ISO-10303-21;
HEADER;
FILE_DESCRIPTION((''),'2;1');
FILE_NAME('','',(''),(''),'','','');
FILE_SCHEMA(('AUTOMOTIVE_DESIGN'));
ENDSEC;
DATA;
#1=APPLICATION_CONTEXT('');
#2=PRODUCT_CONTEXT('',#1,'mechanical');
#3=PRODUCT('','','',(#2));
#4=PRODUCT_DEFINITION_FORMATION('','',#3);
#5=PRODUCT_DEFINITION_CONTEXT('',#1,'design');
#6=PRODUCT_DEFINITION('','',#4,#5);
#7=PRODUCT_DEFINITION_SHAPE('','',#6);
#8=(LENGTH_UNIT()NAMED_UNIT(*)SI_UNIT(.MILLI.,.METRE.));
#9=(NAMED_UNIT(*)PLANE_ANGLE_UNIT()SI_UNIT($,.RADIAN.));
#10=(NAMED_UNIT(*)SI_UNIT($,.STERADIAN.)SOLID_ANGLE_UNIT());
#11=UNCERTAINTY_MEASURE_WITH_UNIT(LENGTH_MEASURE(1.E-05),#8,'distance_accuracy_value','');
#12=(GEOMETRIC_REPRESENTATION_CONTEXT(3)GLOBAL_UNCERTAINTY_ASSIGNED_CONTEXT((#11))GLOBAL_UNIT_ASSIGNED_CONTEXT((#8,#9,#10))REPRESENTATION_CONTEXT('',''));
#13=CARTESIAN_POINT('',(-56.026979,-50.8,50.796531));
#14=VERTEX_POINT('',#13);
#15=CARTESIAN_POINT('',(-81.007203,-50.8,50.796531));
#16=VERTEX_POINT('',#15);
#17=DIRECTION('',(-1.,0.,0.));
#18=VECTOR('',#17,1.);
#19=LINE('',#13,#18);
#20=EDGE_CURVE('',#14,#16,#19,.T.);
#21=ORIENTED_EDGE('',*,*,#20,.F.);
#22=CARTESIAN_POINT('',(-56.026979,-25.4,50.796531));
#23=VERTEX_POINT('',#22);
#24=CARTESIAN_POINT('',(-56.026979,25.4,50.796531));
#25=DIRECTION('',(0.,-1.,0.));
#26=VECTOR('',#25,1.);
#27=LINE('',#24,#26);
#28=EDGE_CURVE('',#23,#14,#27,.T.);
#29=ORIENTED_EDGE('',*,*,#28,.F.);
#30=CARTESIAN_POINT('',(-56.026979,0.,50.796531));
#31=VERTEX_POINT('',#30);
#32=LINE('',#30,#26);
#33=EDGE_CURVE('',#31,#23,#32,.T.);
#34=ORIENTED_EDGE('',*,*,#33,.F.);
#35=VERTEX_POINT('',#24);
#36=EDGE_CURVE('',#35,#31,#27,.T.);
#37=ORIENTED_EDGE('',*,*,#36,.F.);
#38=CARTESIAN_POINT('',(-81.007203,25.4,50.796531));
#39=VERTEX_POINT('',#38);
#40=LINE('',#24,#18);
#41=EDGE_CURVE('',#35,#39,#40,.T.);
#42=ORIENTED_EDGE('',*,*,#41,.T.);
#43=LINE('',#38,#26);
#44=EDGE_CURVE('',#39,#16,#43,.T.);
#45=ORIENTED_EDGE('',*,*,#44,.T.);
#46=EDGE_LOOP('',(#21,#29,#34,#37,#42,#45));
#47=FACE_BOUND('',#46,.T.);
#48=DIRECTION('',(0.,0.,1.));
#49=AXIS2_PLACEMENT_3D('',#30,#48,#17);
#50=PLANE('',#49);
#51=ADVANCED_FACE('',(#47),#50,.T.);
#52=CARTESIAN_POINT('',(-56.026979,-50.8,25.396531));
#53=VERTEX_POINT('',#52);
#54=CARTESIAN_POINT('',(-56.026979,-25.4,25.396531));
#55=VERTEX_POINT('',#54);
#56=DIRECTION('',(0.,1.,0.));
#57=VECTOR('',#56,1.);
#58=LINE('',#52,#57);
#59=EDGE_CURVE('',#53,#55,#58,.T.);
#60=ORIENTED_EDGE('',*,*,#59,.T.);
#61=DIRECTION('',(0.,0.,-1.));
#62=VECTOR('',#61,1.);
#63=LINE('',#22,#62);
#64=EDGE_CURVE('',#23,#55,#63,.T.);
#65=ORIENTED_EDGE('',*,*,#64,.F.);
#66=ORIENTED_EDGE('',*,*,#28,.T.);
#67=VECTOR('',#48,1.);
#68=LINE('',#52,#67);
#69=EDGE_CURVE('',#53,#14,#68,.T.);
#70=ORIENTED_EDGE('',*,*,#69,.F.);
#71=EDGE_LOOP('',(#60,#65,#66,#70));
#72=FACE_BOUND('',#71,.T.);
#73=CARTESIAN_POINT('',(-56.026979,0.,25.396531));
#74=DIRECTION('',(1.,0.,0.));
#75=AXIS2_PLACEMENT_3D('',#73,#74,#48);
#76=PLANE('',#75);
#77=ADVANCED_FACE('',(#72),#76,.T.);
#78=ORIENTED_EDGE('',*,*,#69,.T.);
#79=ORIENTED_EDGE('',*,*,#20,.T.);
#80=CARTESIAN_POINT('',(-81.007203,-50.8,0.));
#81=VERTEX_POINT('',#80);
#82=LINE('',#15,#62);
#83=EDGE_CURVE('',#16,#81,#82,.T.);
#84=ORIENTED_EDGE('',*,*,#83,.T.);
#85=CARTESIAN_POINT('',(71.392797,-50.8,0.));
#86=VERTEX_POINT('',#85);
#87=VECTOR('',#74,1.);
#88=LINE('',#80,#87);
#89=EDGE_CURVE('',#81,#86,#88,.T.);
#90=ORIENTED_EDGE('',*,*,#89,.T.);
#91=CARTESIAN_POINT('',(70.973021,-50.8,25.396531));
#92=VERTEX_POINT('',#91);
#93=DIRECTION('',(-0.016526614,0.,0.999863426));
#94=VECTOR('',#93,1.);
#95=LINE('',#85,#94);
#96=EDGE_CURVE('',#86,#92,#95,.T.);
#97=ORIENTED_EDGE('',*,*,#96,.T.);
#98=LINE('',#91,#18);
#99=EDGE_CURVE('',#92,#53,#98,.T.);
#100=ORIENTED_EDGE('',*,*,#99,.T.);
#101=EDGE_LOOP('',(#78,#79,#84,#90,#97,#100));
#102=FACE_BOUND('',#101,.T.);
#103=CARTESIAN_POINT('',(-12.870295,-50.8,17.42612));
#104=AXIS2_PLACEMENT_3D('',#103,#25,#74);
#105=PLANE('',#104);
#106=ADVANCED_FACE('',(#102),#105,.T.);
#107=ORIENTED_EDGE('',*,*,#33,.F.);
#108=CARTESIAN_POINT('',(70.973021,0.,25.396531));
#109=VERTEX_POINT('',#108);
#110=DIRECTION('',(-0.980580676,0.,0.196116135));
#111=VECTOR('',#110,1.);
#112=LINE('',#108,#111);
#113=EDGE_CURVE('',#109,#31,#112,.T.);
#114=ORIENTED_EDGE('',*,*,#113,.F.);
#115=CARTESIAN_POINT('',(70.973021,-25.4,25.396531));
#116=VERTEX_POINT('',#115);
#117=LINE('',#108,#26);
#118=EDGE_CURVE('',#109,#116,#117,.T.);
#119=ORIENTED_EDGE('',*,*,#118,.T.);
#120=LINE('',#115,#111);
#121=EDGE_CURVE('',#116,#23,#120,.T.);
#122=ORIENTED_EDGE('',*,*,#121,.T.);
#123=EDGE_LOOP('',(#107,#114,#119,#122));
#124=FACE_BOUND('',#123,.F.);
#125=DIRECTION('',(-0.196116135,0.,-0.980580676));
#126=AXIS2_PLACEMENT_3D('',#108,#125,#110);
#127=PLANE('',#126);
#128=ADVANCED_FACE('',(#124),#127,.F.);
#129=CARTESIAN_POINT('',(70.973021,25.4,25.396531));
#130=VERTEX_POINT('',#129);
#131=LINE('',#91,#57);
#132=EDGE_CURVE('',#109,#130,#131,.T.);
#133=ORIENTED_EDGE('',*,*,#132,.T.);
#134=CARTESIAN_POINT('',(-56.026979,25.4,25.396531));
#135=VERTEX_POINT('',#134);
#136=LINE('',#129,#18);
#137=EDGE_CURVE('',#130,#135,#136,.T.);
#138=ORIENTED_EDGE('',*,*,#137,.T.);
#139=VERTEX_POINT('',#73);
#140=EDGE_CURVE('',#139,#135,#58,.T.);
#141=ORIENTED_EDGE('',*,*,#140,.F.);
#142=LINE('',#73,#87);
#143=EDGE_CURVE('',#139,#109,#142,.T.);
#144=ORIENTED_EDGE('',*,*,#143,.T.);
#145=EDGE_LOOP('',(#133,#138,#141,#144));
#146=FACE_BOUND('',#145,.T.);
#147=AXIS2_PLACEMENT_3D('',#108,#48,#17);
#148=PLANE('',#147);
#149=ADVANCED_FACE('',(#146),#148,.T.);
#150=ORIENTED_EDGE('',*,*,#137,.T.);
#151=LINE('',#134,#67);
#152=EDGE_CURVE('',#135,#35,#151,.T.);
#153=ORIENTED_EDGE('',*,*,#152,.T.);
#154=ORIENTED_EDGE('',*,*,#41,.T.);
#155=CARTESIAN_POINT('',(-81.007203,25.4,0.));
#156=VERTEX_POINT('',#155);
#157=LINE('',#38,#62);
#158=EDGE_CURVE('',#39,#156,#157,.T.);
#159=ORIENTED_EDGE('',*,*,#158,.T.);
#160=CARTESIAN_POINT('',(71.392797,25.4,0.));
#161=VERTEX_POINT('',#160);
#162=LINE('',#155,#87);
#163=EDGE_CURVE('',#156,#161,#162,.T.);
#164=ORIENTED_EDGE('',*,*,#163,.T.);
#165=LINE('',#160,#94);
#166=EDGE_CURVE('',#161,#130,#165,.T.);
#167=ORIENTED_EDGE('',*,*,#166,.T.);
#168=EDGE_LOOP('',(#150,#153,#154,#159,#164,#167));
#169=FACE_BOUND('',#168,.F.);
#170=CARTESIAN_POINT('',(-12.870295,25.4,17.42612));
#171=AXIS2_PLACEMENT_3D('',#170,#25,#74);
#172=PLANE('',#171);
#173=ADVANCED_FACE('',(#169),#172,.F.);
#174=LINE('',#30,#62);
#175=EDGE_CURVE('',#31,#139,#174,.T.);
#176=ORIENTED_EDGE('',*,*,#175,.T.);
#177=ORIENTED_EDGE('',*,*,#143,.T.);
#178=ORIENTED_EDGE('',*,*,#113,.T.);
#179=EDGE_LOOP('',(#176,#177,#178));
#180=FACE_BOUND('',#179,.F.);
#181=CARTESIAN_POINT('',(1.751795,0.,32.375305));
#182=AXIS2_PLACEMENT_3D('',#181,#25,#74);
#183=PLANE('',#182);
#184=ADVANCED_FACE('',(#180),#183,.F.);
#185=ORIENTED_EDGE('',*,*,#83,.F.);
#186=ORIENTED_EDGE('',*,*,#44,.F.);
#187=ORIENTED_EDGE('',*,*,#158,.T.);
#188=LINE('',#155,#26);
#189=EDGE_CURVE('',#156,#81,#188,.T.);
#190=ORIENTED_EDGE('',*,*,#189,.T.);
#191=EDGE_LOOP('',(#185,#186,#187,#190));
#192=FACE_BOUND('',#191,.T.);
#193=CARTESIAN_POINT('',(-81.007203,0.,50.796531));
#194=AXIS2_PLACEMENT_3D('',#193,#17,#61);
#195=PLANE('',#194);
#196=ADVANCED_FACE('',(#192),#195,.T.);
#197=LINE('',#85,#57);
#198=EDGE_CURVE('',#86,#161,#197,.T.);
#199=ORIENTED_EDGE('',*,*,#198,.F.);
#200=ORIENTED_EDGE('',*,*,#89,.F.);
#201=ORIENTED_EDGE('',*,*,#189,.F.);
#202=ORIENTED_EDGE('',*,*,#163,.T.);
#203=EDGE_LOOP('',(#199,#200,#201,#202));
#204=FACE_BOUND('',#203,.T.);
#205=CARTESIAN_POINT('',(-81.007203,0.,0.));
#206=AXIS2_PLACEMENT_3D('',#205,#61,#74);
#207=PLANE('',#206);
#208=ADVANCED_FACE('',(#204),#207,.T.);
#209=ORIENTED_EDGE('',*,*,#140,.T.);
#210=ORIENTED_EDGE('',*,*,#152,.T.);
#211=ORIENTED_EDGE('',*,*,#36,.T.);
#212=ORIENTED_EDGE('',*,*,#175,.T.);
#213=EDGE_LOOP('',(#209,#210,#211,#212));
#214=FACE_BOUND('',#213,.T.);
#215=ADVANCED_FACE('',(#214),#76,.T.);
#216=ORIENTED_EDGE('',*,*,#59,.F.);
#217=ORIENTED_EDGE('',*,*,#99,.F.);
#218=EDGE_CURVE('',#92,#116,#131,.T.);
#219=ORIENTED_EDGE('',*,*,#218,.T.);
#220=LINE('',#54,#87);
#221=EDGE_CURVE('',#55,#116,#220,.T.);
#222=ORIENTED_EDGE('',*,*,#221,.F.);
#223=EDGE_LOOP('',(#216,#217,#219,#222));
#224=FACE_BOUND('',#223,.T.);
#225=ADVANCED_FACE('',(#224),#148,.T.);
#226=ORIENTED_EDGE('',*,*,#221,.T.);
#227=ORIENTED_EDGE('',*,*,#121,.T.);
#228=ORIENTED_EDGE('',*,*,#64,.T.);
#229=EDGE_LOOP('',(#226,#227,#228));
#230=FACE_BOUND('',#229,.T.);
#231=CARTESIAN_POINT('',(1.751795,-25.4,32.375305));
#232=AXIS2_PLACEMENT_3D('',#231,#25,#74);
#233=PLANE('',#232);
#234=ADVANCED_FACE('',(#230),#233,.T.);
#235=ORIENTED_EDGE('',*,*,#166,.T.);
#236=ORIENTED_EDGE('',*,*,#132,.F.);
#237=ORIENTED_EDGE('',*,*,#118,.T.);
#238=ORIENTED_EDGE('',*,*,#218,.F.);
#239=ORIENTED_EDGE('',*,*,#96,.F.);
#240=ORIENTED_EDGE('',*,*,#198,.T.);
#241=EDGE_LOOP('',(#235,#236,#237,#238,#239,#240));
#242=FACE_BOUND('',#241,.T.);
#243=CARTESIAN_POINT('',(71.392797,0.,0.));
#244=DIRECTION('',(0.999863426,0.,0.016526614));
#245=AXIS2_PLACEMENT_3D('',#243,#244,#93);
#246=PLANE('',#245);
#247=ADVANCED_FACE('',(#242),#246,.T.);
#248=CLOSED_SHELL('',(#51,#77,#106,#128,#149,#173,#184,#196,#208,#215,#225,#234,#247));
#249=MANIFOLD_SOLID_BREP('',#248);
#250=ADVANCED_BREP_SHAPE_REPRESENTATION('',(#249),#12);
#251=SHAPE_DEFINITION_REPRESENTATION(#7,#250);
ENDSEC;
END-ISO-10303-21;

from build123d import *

# Parameters (mm, degrees)
F1_DEPTH      = 50.8
F1_DEPTH_BACK = 25.4
F2_DEPTH      = 25.4


with BuildPart() as f1:
    # F0 (on Front) → F1 (new body, two sides)
    with BuildSketch(Plane.XZ) as f1_sk:
        Polygon((-56.026979, 25.396531), (-56.026979, 50.796531), (-81.007203, 50.796531), (-81.007203, 0), (71.392797, 0), (70.973021, 25.396531), align=None)
    extrude(amount=F1_DEPTH)
    extrude(f1_sk.sketch, amount=-F1_DEPTH_BACK)

    # F0 (on Front) → F2 (join)
    with BuildSketch(Plane.XZ):
        Polygon((70.973021, 25.396531), (-56.026979, 50.796531), (-56.026979, 25.396531), align=None)
    extrude(amount=F2_DEPTH)


solid = f1.part
